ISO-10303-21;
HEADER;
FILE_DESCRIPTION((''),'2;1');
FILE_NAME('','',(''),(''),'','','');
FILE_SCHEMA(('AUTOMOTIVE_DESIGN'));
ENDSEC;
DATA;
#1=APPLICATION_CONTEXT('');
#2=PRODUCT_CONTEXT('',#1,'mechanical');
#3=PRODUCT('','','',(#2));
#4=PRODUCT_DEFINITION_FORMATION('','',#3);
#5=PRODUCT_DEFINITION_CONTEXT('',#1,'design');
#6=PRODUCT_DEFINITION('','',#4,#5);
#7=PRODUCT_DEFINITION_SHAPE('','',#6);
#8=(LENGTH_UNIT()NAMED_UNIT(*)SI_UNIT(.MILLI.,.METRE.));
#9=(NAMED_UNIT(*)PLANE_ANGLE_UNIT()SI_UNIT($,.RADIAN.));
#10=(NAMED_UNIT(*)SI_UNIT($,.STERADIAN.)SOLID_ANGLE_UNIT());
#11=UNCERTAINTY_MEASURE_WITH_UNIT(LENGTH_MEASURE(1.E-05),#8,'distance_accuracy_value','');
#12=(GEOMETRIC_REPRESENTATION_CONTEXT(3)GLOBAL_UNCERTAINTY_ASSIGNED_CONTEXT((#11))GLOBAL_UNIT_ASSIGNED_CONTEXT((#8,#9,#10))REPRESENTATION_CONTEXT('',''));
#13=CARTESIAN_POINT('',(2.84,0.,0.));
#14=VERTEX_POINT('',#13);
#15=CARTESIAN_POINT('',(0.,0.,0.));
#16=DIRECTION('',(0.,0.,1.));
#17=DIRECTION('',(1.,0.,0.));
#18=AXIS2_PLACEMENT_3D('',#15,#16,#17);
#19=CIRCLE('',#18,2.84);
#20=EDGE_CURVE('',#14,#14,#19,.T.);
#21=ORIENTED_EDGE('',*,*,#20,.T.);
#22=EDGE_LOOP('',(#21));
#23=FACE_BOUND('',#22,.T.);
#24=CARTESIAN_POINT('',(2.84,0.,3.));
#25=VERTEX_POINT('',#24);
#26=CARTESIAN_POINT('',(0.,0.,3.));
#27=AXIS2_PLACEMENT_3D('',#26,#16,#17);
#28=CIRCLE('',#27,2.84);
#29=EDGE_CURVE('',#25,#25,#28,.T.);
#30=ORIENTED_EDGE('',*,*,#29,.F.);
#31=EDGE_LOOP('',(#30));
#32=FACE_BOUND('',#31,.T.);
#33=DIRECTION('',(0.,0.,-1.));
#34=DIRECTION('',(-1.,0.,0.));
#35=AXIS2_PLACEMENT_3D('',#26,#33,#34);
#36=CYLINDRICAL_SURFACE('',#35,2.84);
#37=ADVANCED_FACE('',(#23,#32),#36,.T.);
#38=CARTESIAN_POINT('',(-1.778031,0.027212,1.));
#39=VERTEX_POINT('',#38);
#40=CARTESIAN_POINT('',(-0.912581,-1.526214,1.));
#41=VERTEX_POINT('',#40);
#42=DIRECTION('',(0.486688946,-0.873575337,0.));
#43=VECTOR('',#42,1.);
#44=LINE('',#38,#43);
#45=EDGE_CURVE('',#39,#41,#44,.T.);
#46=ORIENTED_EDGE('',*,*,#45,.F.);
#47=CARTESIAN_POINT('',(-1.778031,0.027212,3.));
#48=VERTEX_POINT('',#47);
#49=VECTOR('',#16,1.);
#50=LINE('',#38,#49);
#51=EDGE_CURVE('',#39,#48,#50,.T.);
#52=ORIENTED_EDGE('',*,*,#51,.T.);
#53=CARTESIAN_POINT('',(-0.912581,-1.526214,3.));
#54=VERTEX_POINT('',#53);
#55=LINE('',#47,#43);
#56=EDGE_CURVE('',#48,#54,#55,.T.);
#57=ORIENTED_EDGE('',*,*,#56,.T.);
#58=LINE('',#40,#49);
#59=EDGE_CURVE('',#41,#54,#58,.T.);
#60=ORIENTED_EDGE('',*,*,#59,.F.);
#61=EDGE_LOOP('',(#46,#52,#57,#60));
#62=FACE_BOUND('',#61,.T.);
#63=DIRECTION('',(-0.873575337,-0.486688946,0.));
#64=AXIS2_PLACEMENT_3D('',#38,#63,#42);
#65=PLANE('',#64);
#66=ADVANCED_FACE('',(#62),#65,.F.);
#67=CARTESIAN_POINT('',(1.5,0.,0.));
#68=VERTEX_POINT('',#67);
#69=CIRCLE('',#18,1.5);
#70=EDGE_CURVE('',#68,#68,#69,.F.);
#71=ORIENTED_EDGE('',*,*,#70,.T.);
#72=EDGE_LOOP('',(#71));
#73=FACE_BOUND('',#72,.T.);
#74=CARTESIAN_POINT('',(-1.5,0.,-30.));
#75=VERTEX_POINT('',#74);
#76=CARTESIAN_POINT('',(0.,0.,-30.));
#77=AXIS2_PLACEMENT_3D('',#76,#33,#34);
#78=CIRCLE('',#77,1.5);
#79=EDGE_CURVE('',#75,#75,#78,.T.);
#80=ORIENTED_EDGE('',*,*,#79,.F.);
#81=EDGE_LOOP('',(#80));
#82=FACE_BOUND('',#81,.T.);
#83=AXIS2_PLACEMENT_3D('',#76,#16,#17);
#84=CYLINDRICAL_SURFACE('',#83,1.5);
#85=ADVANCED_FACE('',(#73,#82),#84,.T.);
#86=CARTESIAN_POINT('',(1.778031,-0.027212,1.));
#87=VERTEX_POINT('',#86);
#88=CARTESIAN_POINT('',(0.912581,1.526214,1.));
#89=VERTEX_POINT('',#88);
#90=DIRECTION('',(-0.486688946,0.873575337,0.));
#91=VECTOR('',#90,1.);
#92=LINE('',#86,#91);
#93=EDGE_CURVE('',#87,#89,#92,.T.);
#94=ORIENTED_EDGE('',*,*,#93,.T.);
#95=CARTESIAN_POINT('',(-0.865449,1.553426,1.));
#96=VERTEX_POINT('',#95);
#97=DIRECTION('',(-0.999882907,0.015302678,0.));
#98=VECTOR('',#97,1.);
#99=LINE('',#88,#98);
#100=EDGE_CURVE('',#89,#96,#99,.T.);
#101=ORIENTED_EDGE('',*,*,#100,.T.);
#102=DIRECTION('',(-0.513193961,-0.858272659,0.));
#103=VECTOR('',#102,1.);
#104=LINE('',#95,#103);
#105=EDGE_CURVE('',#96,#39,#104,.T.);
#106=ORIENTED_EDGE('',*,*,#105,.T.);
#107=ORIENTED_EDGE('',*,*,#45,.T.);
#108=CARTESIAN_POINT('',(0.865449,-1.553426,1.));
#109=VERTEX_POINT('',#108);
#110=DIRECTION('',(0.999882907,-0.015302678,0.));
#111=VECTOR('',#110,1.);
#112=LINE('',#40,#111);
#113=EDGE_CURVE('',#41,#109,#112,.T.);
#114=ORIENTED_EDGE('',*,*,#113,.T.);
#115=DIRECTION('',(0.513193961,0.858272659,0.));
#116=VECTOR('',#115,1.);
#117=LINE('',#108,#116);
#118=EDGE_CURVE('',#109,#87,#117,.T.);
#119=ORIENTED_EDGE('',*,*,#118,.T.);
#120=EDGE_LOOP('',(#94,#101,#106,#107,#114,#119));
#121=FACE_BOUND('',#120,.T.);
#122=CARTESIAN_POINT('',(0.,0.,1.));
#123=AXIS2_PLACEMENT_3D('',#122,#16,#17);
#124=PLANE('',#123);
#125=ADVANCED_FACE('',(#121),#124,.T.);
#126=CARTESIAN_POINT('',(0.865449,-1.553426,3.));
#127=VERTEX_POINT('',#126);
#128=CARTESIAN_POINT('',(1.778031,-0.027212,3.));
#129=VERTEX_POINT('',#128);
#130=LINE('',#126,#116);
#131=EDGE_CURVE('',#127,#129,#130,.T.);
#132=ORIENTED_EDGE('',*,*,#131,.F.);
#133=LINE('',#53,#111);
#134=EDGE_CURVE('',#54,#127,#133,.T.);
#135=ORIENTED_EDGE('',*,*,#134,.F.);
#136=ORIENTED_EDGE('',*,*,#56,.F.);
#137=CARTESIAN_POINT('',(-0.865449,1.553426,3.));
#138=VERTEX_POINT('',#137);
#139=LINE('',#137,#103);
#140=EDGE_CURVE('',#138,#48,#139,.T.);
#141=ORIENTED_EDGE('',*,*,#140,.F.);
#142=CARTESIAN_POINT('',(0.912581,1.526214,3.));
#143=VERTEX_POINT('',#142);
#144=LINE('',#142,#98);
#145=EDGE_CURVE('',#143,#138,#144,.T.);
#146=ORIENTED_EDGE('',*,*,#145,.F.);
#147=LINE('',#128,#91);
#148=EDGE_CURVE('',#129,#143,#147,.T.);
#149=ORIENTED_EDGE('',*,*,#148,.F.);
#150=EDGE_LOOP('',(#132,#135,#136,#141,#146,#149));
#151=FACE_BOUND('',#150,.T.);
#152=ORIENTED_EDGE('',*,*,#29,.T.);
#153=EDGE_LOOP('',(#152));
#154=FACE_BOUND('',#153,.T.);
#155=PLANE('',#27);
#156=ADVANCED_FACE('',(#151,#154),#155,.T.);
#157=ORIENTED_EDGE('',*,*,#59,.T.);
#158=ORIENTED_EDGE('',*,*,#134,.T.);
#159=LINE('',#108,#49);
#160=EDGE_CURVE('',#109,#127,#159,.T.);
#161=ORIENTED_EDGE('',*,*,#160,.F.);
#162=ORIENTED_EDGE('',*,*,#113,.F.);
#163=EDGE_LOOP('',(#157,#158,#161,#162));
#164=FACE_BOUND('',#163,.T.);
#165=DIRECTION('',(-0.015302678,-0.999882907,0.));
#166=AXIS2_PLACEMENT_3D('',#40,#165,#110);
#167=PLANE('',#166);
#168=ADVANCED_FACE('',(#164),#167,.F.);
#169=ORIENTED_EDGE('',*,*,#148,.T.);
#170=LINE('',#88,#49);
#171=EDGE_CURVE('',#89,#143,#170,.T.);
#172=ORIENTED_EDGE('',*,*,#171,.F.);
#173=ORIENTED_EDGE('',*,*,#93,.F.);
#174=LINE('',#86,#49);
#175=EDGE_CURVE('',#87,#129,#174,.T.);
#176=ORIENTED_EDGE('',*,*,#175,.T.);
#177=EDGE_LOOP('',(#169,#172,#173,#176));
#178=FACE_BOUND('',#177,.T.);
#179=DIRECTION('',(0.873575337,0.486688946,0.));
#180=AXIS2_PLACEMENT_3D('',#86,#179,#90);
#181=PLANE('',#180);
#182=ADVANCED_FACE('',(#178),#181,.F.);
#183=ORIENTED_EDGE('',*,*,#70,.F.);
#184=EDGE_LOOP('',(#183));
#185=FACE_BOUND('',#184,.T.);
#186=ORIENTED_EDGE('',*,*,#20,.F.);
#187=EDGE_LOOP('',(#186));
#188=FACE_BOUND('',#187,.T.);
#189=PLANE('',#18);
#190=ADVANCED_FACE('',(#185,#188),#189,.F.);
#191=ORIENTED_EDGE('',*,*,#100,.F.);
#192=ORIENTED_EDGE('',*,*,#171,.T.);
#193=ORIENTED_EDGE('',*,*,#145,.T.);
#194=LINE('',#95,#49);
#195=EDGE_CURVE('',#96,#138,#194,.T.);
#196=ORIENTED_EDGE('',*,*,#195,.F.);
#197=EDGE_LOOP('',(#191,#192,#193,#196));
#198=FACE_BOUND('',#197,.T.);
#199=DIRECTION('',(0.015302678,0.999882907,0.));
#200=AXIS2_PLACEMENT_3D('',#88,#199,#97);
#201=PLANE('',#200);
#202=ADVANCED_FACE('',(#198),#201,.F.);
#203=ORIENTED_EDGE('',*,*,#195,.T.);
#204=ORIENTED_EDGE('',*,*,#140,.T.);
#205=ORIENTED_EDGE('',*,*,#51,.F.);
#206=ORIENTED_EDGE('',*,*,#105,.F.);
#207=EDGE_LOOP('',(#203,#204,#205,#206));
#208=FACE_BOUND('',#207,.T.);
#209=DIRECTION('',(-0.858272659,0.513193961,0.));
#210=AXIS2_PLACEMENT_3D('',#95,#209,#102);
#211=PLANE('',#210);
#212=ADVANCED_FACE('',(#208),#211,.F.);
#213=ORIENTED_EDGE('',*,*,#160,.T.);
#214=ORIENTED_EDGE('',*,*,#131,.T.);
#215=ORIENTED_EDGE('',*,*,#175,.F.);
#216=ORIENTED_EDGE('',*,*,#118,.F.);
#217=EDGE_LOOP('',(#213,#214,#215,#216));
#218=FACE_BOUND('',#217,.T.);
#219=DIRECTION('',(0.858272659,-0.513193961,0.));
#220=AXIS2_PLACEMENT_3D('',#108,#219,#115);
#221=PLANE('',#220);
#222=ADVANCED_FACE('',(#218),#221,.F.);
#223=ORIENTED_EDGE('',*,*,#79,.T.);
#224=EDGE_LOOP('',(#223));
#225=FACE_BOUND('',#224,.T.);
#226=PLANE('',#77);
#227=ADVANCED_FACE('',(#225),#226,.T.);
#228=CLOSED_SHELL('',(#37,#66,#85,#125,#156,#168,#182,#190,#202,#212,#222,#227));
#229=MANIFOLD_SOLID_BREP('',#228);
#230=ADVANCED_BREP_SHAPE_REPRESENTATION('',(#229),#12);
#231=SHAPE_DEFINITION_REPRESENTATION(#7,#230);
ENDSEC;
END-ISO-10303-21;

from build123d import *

# Parameters (mm, degrees)
SKETCH_1_R          = 2.84
EXTRUDE_1_DEPTH     = 3
SKETCH_2_R          = 1.5
EXTRUDE_2_DEPTH     = 30
CUT_EXTRUDE_1_DEPTH = 2


with BuildPart() as part:
    # 草图1 → 凸台-拉伸1 (new body)
    with BuildSketch(Plane.XY):
        Circle(SKETCH_1_R)
    extrude(amount=EXTRUDE_1_DEPTH)

    # 草图2 → 凸台-拉伸2 (add)
    with BuildSketch(Plane(origin=(0, 0, 0), x_dir=(-1, 0, 0), z_dir=(0, 0, -1))):
        with Locations(Location((0, 0, 0), (0, 0, 180))):
            Circle(SKETCH_2_R)
    extrude(amount=EXTRUDE_2_DEPTH)

    # 草图3 → 切除-拉伸1 (cut)
    with BuildSketch(Plane.XY.offset(3)):
        Polygon((0.912581429, 1.526213769), (-0.865449181, 1.553425585), (-1.77803061, 0.027211816), (-0.912581429, -1.526213769), (0.865449181, -1.553425585), (1.77803061, -0.027211816), align=None)
    extrude(amount=-CUT_EXTRUDE_1_DEPTH, mode=Mode.SUBTRACT)


solid = part.part
